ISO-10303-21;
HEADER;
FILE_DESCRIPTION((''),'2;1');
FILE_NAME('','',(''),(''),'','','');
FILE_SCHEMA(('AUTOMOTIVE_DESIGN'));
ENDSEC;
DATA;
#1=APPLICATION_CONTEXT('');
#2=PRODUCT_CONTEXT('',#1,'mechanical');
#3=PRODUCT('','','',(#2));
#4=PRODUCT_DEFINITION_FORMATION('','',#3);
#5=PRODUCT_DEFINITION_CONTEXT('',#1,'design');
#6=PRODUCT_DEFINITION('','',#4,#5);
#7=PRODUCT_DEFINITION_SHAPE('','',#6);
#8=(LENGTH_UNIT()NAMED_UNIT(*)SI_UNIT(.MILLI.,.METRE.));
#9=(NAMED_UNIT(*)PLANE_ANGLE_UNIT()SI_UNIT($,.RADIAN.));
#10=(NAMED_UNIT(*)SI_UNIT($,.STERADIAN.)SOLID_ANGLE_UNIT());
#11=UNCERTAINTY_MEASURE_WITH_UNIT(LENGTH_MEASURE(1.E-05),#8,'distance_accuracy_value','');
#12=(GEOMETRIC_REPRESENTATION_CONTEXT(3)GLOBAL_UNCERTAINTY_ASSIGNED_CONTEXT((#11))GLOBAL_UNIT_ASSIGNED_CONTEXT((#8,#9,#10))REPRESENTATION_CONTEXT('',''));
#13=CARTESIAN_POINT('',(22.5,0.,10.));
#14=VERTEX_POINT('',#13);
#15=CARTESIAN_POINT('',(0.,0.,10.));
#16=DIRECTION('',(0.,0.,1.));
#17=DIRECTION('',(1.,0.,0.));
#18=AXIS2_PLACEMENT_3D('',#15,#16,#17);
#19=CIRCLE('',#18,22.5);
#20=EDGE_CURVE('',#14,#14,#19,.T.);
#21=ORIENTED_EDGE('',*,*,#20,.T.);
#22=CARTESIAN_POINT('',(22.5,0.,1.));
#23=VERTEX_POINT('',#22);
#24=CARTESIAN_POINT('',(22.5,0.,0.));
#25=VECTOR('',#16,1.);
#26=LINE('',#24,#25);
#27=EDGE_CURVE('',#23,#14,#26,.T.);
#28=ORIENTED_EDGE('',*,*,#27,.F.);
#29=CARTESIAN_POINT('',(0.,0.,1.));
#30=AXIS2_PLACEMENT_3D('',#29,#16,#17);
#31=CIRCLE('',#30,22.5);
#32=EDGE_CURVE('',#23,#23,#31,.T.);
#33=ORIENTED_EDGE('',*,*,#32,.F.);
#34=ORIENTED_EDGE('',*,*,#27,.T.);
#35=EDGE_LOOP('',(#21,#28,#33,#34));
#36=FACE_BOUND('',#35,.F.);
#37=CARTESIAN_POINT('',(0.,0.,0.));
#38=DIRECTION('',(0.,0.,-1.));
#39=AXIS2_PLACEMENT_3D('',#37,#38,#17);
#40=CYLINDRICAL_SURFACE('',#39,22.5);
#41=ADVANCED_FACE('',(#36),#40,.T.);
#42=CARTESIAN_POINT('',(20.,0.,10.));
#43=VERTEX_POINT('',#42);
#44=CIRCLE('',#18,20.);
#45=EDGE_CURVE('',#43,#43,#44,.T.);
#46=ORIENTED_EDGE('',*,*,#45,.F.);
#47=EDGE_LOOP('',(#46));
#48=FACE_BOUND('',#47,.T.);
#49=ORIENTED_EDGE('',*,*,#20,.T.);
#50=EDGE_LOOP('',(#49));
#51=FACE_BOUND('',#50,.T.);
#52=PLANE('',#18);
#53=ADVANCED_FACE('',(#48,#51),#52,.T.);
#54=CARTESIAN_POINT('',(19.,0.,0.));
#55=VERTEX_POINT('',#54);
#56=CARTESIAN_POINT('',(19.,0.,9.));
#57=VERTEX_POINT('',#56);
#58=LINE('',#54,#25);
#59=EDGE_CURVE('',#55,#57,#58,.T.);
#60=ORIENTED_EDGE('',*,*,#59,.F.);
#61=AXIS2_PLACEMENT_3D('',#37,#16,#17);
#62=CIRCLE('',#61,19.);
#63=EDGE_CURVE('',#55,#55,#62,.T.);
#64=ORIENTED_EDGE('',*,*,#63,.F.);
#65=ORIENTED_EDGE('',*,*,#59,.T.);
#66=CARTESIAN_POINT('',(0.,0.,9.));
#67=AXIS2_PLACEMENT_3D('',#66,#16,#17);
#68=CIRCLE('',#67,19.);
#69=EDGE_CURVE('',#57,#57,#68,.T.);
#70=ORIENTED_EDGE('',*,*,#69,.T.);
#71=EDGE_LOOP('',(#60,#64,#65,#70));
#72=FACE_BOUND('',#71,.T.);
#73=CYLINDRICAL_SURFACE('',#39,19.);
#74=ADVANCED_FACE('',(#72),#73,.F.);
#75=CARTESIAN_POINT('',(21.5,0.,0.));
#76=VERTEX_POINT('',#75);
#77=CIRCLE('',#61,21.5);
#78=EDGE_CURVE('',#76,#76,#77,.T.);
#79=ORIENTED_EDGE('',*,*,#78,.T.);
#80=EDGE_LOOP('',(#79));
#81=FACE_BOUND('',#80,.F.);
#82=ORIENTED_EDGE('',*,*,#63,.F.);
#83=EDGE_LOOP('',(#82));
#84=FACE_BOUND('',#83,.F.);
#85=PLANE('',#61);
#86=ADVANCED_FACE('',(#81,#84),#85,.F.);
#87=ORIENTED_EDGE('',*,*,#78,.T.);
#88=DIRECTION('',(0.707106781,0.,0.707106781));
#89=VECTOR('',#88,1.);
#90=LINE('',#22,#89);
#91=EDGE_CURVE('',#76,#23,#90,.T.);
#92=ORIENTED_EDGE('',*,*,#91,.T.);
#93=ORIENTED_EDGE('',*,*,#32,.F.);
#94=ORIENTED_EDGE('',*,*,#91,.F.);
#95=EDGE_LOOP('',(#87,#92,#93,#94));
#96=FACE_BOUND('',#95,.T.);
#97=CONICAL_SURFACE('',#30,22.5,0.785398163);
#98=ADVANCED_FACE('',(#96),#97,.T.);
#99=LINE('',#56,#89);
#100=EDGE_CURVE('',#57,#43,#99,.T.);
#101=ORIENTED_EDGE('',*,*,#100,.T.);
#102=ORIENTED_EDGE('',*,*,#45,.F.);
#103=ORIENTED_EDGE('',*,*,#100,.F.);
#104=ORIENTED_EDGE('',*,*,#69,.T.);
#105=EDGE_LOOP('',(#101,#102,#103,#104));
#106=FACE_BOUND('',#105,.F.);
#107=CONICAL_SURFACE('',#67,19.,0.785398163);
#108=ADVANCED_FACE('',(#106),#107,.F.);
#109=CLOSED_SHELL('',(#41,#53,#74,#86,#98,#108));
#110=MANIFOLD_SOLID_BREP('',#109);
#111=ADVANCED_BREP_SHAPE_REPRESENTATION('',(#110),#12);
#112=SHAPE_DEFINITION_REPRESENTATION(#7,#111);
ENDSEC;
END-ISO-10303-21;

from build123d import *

# Parameters (mm, degrees)
SKETCH_R        = 22.5
SKETCH_R_2      = 19
PAD_DEPTH       = 10
CHAMFER_SIZE    = 1
CHAMFER001_SIZE = 1


with BuildPart() as part:
    # Sketch → Pad (new body)
    with BuildSketch(Plane.XY):
        Circle(SKETCH_R)
        Circle(SKETCH_R_2, mode=Mode.SUBTRACT)
    extrude(amount=PAD_DEPTH)

    # Chamfer
    chamfer_edges = [part.edges().sort_by_distance(p)[0] for p in [
        (-19, 0, 10),
    ]]
    chamfer(chamfer_edges, length=CHAMFER_SIZE)

    # Chamfer001
    chamfer001_edges = [part.edges().sort_by_distance(p)[0] for p in [
        (-22.5, 0, 0),
    ]]
    chamfer(chamfer001_edges, length=CHAMFER001_SIZE)


solid = part.part
